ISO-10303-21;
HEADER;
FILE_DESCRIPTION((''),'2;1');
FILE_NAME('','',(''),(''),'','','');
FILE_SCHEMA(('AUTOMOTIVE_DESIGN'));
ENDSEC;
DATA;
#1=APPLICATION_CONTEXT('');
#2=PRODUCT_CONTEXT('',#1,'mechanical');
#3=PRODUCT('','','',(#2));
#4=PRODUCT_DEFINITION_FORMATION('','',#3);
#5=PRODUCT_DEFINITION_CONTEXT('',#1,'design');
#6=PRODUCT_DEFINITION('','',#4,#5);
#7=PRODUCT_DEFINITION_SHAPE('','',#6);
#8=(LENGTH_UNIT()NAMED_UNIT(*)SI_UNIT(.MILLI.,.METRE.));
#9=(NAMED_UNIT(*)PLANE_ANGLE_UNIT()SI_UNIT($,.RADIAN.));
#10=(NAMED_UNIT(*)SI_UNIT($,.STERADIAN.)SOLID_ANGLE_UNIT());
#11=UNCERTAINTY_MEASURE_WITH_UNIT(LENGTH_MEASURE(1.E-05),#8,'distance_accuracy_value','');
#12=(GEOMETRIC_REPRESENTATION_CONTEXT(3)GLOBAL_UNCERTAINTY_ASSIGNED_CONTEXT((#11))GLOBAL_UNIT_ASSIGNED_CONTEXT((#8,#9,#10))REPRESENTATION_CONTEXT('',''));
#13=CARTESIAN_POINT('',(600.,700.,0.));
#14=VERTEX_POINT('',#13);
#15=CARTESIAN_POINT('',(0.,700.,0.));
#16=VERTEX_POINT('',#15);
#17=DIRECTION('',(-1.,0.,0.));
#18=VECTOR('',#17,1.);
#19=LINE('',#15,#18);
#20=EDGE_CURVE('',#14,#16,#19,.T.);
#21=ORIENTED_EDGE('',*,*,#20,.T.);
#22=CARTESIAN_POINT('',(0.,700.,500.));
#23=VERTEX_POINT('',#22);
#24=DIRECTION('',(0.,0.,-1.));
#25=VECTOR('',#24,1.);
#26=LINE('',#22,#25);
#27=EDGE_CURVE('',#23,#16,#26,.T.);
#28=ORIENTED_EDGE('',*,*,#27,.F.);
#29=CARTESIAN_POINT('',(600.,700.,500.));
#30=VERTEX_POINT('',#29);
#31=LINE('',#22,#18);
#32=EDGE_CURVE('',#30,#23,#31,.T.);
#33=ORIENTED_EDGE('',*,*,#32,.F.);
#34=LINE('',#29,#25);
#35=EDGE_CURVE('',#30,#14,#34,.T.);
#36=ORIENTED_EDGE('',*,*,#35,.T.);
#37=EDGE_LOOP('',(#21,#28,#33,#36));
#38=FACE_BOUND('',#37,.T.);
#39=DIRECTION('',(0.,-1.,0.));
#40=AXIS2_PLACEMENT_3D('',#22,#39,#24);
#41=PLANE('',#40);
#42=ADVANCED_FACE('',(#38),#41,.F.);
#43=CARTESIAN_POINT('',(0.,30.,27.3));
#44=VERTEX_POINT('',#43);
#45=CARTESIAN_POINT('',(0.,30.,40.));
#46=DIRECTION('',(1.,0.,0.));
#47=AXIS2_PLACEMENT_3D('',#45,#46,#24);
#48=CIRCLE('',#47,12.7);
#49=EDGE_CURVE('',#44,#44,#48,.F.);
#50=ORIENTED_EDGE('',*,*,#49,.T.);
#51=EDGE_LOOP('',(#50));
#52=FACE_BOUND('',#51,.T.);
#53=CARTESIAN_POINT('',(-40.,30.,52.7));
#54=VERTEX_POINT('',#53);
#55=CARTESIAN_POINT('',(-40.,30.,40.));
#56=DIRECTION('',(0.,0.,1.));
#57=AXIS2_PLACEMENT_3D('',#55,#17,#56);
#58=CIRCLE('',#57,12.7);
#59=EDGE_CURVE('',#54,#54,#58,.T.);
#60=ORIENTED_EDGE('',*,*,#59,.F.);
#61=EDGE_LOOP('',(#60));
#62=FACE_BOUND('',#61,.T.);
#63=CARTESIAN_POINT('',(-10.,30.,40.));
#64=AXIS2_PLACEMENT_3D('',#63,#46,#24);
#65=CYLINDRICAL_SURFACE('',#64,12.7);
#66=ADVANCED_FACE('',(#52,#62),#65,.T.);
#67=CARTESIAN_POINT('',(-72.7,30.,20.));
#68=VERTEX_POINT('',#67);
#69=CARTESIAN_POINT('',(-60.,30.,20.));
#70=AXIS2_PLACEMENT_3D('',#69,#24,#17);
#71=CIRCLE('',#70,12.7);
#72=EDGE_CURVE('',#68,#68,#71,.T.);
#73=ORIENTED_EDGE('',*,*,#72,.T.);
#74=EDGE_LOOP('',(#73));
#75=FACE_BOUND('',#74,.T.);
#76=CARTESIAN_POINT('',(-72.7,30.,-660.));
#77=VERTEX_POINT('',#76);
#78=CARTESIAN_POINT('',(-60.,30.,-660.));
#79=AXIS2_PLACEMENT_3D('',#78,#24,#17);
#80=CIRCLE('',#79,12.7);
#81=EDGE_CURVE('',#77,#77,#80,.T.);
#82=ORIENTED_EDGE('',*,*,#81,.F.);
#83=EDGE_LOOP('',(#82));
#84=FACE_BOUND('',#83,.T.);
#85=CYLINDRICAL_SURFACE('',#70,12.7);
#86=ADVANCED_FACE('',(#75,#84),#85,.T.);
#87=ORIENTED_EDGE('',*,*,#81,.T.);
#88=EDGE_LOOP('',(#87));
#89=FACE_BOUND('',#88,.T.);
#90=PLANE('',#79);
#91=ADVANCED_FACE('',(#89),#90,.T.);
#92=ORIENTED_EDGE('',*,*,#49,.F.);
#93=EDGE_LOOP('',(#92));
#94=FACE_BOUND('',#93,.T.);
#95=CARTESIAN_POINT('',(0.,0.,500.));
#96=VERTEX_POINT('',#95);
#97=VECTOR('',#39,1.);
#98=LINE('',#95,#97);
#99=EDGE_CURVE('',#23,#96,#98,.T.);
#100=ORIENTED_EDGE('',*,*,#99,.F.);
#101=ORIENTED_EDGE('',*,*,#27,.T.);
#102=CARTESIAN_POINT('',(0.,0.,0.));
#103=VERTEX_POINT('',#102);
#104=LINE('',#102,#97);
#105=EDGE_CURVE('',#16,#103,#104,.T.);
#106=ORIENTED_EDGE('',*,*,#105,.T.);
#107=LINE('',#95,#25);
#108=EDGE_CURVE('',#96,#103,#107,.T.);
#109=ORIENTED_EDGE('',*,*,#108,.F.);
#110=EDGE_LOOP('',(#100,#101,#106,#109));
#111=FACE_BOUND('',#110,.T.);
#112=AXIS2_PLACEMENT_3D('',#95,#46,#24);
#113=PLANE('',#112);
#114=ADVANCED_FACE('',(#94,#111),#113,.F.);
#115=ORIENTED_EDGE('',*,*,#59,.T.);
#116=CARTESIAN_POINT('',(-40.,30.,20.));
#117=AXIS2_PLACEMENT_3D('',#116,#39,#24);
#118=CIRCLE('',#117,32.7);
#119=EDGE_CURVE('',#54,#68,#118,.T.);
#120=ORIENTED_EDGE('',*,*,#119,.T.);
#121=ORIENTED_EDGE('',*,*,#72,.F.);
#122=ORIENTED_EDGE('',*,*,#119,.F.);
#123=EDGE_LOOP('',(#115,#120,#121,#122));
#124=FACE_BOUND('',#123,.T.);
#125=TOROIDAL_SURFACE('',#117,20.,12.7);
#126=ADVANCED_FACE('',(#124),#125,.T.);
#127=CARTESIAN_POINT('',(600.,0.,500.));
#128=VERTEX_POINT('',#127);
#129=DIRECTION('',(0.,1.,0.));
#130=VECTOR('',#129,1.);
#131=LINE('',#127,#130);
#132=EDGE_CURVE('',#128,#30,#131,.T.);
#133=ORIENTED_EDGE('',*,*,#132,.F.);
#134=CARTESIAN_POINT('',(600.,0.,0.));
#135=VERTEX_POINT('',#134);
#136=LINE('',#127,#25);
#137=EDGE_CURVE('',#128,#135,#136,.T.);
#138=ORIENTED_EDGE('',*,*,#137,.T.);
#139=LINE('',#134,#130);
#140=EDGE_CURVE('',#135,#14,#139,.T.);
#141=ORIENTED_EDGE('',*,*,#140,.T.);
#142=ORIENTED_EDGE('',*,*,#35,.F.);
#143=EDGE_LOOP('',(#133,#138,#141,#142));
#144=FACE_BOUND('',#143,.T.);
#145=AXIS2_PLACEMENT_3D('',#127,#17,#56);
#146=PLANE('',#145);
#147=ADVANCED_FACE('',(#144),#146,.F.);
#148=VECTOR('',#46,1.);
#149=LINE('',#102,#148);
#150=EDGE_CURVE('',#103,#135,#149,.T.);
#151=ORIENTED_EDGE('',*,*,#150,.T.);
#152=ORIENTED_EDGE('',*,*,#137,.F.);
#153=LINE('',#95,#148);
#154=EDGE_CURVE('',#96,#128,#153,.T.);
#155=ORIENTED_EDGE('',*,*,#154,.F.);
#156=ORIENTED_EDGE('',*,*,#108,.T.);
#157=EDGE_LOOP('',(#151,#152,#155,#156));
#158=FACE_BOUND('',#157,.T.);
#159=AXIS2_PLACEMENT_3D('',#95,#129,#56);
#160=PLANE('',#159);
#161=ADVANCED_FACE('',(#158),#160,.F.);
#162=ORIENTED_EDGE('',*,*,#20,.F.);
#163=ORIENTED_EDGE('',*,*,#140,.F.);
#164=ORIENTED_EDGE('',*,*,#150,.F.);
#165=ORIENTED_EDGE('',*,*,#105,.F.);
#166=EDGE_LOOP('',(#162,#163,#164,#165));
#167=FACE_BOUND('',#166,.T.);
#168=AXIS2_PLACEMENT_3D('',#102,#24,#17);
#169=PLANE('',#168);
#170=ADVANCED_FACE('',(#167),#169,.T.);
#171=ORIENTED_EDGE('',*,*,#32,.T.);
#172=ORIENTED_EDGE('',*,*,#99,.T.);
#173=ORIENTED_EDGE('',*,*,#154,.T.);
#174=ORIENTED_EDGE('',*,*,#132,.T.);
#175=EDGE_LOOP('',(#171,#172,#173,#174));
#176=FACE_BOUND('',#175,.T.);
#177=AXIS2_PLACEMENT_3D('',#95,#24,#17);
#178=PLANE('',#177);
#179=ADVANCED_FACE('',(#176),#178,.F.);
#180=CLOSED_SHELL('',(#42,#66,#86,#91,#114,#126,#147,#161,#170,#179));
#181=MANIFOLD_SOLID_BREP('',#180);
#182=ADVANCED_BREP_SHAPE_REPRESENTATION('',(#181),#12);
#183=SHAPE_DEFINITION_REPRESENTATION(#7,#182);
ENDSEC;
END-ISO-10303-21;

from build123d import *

# Parameters (mm, degrees)
CROQUIS1_W              = 600
CROQUIS1_H              = 700
SALIENTE_EXTRUIR1_DEPTH = 500
CROQUIS2_R              = 12.7
SALIENTE_EXTRUIR2_DEPTH = 10
CROQUIS3_R              = 12.7


with BuildPart() as part:
    # Croquis1 → Saliente-Extruir1 (new body)
    with BuildSketch(Plane.XY):
        with Locations((300, 350)):
            Rectangle(CROQUIS1_W, CROQUIS1_H)
    extrude(amount=SALIENTE_EXTRUIR1_DEPTH)

    # Croquis2 → Saliente-Extruir2 (add)
    with BuildSketch(Plane.ZY):
        with Locations(Location((40, 30, 0), (0, 0, 180))):
            Circle(CROQUIS2_R)
    extrude(amount=SALIENTE_EXTRUIR2_DEPTH)

    # Barrer1: sweep along a curve in space
    with BuildLine() as barrer1_path:
        Line((-10, 30, 40), (-40, 30, 40))
        ThreePointArc((-40, 30, 40), (-54.142135624, 30, 34.142135624), (-60, 30, 20))
        Line((-60, 30, 20), (-60, 30, -660))
    # Croquis3 → Barrer1 (sweep)
    with BuildSketch(Plane.ZY.offset(10)):
        with Locations((40, 30)):
            Circle(CROQUIS3_R)
    sweep(path=barrer1_path.line)


solid = part.part
